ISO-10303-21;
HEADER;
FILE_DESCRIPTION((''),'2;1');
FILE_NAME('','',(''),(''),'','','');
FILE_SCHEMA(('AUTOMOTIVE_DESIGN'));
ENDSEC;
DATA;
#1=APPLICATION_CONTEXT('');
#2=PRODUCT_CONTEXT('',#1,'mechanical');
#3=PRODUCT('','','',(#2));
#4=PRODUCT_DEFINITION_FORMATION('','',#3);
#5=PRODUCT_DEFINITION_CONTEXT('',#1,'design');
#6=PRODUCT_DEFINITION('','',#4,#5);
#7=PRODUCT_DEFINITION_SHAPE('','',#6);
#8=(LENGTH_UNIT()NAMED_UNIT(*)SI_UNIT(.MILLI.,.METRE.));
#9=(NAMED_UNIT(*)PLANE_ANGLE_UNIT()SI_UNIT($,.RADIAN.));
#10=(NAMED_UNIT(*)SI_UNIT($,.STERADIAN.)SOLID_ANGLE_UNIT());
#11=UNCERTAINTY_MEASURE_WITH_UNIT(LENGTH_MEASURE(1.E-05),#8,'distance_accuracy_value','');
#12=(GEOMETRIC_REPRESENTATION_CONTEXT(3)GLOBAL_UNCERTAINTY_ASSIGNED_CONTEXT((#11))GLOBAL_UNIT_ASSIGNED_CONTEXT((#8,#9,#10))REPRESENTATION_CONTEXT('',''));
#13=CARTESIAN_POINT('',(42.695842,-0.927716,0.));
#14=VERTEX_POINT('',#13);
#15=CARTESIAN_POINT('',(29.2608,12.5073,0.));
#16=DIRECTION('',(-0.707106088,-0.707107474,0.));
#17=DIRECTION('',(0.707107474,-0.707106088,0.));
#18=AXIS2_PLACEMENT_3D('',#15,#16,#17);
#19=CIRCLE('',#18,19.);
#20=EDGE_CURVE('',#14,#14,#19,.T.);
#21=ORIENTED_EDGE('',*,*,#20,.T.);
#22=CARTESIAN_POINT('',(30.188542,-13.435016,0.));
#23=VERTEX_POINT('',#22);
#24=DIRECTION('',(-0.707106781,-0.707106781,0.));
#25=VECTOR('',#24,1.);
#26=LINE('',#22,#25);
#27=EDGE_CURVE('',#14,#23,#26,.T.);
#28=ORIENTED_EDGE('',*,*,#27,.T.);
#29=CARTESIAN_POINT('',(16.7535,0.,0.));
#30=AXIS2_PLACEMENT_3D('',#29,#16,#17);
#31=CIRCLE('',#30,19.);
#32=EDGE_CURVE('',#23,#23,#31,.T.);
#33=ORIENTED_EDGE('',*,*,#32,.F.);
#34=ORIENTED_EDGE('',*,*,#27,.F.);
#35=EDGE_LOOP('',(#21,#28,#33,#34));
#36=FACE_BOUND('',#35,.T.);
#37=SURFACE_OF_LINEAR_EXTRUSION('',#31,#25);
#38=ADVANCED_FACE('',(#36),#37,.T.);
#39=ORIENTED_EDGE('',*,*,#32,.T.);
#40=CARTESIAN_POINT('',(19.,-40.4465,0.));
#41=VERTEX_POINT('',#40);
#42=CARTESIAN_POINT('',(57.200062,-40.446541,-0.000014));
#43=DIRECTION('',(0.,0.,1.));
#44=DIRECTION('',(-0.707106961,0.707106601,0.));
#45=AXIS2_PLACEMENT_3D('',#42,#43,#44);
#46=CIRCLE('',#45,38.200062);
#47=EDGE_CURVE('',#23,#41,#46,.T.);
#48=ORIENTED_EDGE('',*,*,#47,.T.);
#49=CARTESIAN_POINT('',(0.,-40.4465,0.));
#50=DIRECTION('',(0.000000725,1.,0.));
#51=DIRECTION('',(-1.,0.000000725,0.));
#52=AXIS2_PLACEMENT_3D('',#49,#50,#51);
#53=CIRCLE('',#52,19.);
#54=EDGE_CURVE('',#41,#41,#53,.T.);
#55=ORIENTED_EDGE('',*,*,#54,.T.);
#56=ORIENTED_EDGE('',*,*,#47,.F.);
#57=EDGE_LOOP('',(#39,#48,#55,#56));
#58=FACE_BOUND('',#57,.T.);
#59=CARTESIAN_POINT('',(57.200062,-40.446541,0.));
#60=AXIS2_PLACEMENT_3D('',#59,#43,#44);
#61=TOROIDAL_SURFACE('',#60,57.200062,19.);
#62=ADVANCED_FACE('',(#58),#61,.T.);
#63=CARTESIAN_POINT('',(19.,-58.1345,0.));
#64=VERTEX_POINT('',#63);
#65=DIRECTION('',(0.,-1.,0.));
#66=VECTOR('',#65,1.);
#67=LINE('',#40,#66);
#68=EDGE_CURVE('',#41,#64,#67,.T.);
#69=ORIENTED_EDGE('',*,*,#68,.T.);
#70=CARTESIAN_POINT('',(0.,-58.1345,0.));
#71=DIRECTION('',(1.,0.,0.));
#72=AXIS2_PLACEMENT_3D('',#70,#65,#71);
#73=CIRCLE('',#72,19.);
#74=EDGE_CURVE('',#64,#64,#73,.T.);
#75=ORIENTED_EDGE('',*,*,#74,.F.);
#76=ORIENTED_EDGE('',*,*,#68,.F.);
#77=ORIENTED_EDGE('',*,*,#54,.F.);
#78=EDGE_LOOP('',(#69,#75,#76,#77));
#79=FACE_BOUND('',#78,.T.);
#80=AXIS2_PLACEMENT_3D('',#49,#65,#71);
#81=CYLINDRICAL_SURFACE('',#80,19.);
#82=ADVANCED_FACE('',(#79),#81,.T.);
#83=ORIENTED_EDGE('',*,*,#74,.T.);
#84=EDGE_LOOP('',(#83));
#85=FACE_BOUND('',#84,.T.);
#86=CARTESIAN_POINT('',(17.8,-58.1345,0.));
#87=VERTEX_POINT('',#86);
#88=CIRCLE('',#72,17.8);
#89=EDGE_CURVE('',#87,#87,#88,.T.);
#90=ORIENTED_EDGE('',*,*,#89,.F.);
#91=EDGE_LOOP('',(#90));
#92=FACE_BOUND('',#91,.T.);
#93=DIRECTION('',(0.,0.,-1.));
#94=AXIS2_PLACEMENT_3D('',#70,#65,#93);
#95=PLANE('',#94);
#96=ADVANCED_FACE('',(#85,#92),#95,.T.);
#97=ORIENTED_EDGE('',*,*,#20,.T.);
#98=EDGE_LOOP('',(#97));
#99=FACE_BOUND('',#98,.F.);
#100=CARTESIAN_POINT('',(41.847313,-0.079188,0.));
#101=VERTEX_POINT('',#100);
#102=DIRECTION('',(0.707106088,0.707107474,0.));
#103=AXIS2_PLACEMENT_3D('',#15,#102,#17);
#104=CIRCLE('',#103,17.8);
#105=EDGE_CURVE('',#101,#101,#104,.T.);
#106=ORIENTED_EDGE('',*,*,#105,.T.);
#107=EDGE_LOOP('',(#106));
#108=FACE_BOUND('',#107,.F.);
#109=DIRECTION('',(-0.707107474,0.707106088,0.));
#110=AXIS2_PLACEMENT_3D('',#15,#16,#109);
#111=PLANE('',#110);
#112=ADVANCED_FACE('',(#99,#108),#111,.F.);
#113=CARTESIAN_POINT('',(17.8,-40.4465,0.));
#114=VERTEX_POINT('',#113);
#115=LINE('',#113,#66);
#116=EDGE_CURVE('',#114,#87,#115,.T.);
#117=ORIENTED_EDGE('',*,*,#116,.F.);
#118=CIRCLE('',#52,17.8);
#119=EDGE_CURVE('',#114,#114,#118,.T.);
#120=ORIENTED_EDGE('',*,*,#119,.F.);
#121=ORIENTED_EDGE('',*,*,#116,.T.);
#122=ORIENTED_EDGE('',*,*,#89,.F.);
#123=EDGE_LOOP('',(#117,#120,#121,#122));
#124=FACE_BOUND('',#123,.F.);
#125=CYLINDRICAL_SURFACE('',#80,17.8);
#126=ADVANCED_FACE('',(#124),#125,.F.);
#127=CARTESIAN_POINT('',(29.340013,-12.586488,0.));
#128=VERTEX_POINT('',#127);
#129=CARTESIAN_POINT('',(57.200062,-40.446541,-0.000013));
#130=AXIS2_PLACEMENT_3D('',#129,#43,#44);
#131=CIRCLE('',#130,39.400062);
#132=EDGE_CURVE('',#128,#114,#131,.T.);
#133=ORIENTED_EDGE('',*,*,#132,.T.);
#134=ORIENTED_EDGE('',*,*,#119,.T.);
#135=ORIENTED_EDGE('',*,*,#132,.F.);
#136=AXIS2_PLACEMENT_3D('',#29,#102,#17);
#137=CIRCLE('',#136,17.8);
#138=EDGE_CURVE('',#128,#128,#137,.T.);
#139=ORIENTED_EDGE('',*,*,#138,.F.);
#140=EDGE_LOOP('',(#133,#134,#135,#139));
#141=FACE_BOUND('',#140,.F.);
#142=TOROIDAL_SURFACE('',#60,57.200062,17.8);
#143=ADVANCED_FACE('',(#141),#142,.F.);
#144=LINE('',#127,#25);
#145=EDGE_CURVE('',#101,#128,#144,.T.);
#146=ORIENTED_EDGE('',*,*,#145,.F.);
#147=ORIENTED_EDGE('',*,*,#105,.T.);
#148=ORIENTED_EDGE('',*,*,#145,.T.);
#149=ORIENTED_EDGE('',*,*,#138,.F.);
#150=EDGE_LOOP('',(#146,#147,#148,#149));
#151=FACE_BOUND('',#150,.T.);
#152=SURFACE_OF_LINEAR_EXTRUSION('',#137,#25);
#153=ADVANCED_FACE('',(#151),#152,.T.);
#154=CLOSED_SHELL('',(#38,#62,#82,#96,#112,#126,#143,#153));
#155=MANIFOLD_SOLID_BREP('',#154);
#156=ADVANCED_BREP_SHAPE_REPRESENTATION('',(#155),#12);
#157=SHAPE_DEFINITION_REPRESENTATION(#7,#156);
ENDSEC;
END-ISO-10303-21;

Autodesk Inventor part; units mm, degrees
ref_plane "YZ Plane" through (0, 0, 0) normal (1, 0, 0) x (0, 1, 0)
ref_plane "XZ Plane" through (0, 0, 0) normal (0, 1, 0) x (-1, 0, 0)
sketch "Szkic6" plane through (0, 0, 0) normal (0, 0, 1) x (1, 0, 0)
  line L0 (-29.6067, 0) -> (35.2678, 0) construction
  line L1 (0, 42.3419) -> (0, -58.3726) construction
  arc A0 (16.7535, 0) -> (0, -40.4465) centre (57.2, -40.4465) ccw
  line L2 (0, -40.4465) -> (57.2, -40.4465) construction
  line L3 (57.2, -40.4465) -> (10.8611, 5.8924) construction
  line L4 (16.7535, 0) -> (29.2608, 12.5073)
  line L5 (0, -40.4465) -> (0, -58.1345)
  point P0 (0, 0)
  dimension "d24" = 57.2
  dimension "d31" = 45
  dimension "d36" = 17.688
  dimension "d37" = 17.688
ref_plane "Płaszczyzna konstrukcyjna2" through (0, -40.4465, 0) normal (0, -1, 0) x (1, 0, 0)
sketch "Szkic8" plane through (0, -40.4465, 0) normal (0, -1, 0) x (1, 0, 0)
  circle A0 centre (0, 0) radius 19
  circle A1 centre (0, 0) radius 17.8
  dimension "d32" = 38
  dimension "d33" = 1.2
sweep "Przeciągnięcie2" add profiles "Szkic8" path "Szkic6"
equation "\"d32\" = OD"
equation "\"d33\" = THK"
equation "\"d24\" = R"
equation "\"d31\" = KAT"
equation "\"d36\" = PROSTKA"
equation "\"d37\" = PROSTKA"
equation "\"SzerokośćGięciaPodcięcia\" = Grubość"
equation "\"RozmiarPodcięciaNarożnika\" = 4 * Grubość"
equation "\"PromieńPrzejścia\" = PromieńGięcia"
equation "\"Rozmiar_promienia_Jacobiego\" = PromieńGięcia"
equation "\"Wielk_odstępu\" = Grubość"
equation "\"d2\" = PromieńGięcia"
equation "\"d23\" = PromieńGięcia"
equation "\"R\" = 57.2"
equation "\"OD\" = 38"
equation "\"THK\" = 1.2"
equation "\"KAT\" = 45deg"
equation "\"PROSTKA\" = 17.688"
equation "\"Grubość\" = 1.5"
equation "\"PromieńGięcia\" = 3"
properties part number "Kolano 45° ø38x1,2 R57,2" material "304L"
